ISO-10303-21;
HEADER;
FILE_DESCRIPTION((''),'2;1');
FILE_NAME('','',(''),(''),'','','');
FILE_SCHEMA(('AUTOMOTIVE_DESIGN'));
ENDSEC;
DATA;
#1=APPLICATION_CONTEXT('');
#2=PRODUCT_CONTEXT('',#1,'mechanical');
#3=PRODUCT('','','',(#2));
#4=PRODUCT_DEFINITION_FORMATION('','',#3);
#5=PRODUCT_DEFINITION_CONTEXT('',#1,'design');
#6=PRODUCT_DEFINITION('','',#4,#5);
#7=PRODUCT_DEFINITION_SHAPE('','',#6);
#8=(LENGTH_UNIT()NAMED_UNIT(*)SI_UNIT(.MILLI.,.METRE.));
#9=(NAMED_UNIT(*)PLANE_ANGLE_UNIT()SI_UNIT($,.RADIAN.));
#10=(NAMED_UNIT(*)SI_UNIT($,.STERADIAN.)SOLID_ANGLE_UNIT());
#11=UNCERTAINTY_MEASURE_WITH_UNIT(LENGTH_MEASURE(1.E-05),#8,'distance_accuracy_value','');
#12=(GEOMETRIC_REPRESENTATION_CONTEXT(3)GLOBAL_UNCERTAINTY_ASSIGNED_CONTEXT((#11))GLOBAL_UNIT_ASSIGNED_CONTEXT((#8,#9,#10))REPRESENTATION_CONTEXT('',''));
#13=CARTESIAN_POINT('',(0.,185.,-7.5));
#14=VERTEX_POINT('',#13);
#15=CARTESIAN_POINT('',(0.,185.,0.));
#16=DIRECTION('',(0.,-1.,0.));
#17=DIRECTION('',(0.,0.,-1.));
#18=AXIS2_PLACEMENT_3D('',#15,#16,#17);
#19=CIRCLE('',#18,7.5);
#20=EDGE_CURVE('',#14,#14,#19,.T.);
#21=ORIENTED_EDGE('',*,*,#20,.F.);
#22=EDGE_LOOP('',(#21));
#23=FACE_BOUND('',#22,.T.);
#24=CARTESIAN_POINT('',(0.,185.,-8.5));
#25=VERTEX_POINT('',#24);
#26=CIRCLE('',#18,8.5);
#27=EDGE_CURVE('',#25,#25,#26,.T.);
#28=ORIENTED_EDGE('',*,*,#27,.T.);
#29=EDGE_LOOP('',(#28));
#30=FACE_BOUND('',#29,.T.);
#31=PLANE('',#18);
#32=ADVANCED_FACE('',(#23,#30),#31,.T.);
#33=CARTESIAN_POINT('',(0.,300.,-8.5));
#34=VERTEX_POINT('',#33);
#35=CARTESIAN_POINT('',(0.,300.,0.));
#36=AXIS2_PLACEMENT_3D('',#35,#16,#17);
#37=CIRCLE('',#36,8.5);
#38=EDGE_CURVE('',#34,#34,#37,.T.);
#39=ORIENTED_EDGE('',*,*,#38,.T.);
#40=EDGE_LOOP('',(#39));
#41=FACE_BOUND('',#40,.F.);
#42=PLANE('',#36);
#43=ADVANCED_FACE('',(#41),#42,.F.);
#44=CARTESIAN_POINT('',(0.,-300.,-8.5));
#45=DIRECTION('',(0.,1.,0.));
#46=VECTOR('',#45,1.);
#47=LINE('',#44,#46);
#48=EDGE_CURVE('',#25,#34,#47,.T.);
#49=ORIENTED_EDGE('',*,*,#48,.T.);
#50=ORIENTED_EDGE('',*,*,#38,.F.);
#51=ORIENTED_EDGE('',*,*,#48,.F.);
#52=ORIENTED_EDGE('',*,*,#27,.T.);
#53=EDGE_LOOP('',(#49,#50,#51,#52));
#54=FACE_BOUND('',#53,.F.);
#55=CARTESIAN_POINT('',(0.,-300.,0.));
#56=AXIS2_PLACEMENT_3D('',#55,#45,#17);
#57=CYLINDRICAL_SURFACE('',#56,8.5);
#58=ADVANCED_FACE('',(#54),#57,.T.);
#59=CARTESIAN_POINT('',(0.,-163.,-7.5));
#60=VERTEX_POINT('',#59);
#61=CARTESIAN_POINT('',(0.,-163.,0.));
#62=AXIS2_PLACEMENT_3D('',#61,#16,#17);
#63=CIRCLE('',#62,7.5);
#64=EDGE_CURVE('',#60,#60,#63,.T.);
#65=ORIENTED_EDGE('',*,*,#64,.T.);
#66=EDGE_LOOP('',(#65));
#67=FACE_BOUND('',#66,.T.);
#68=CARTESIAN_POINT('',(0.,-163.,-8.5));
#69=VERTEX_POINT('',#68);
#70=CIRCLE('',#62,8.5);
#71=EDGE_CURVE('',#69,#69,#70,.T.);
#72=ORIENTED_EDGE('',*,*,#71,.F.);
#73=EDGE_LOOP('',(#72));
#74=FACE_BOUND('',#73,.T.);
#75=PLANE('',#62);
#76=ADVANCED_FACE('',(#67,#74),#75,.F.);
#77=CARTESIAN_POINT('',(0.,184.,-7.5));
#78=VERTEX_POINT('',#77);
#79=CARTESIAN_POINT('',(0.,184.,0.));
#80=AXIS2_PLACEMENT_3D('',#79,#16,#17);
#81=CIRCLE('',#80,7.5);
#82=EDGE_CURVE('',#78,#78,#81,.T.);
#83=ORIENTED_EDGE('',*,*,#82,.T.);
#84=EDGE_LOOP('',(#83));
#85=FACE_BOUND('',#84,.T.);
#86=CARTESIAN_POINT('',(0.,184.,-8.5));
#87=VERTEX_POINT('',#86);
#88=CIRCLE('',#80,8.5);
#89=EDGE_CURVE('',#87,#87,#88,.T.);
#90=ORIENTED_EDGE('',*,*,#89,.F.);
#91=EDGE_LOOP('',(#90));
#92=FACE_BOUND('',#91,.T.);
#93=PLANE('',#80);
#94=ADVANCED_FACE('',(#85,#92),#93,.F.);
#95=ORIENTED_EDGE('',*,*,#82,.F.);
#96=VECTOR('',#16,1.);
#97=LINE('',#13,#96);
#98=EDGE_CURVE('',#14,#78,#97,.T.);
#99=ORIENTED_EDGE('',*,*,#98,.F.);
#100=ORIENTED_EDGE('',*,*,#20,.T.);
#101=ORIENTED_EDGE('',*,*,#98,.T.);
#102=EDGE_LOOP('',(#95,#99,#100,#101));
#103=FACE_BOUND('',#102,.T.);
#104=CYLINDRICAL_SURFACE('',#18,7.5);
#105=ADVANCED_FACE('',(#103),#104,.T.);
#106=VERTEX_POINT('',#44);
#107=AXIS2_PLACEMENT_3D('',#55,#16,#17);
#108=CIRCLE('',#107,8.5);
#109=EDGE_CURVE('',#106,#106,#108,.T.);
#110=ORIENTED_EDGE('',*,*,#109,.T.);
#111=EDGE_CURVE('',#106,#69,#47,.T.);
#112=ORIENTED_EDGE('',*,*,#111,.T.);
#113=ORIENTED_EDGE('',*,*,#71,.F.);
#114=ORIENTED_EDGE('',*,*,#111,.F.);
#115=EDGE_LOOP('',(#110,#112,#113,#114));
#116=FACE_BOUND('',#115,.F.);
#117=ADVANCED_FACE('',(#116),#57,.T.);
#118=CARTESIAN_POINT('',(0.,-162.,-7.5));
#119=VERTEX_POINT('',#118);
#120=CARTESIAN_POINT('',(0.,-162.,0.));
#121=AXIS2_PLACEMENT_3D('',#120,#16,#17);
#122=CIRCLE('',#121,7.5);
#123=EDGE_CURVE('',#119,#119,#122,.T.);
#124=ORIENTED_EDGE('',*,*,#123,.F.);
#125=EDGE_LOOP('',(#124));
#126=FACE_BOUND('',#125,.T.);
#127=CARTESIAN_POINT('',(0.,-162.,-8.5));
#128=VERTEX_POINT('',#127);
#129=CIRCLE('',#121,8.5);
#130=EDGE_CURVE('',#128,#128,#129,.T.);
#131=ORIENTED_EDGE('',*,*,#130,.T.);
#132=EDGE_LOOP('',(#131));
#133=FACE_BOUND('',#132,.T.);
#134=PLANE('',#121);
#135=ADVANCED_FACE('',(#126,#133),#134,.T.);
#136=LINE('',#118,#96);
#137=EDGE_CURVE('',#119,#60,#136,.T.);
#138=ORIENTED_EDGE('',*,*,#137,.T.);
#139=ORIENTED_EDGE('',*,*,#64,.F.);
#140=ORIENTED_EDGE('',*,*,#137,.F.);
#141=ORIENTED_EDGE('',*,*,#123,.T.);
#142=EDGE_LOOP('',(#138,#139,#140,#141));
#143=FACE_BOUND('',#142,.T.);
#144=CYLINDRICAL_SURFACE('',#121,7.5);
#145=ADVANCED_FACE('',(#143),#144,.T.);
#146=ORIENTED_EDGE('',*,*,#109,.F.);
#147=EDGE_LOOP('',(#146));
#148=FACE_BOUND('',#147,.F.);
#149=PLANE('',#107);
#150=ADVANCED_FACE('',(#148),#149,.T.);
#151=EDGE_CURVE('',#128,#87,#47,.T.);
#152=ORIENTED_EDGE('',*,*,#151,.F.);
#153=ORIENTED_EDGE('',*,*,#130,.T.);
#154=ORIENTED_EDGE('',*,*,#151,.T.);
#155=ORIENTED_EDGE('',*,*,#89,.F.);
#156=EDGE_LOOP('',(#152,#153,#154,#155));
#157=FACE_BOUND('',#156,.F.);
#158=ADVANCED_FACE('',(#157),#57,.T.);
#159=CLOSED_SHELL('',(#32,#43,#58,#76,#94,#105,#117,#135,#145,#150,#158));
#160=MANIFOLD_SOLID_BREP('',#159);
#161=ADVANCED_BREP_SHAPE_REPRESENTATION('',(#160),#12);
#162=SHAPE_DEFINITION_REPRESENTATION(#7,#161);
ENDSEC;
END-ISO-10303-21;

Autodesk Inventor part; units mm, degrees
ref_plane "YZ Plane" through (0, 0, 0) normal (1, 0, 0) x (0, 1, 0)
ref_plane "XZ Plane" through (0, 0, 0) normal (0, 1, 0) x (-1, 0, 0)
ref_plane "XY Plane" through (0, 0, 0) normal (0, 0, 1) x (1, 0, 0)
sketch "Sketch1" plane through (0, 0, 0) normal (1, 0, 0) x (0, 1, 0)
  line L0 (300, 0) -> (-300, 0)
  line L1 (-300, 0) -> (-300, -8.5)
  line L2 (-300, -8.5) -> (300, -8.5)
  line L3 (300, -8.5) -> (300, 0)
  line L4 (185, -8.5) -> (185, -7.5)
  line L5 (185, -7.5) -> (184, -7.5)
  line L6 (184, -7.5) -> (184, -8.5)
  line L7 (-162, -7.5) -> (-163, -7.5)
  line L8 (-163, -7.5) -> (-163, -8.5)
  line L9 (-163, -8.5) -> (-162, -8.5)
  line L10 (-162, -8.5) -> (-162, -7.5)
  point P0 (0, 0)
  point P1 (0, 0)
  point P2 (-162.5, -8.5)
  point P3 (-163, -8.5)
  point P4 (-162, -8.5)
  dimension "d0" = 600
  dimension "d1" = 8.5
  dimension "d2" = 1
  dimension "d3" = 1
  dimension "d4" = 115
  dimension "d6" = 1
  dimension "d7" = 1
  dimension "d8" = 462
revolve "Revolution1" add sketch "Sketch1" angle 360 about axis through (0, 300, 0) along (0, -1, 0) contours L3 L2 L4 L5 L6 L10 L7 L8 L1 L0
equation "\"d6\" = d2"
equation "\"d7\" = d3"
properties part number "Вал"
